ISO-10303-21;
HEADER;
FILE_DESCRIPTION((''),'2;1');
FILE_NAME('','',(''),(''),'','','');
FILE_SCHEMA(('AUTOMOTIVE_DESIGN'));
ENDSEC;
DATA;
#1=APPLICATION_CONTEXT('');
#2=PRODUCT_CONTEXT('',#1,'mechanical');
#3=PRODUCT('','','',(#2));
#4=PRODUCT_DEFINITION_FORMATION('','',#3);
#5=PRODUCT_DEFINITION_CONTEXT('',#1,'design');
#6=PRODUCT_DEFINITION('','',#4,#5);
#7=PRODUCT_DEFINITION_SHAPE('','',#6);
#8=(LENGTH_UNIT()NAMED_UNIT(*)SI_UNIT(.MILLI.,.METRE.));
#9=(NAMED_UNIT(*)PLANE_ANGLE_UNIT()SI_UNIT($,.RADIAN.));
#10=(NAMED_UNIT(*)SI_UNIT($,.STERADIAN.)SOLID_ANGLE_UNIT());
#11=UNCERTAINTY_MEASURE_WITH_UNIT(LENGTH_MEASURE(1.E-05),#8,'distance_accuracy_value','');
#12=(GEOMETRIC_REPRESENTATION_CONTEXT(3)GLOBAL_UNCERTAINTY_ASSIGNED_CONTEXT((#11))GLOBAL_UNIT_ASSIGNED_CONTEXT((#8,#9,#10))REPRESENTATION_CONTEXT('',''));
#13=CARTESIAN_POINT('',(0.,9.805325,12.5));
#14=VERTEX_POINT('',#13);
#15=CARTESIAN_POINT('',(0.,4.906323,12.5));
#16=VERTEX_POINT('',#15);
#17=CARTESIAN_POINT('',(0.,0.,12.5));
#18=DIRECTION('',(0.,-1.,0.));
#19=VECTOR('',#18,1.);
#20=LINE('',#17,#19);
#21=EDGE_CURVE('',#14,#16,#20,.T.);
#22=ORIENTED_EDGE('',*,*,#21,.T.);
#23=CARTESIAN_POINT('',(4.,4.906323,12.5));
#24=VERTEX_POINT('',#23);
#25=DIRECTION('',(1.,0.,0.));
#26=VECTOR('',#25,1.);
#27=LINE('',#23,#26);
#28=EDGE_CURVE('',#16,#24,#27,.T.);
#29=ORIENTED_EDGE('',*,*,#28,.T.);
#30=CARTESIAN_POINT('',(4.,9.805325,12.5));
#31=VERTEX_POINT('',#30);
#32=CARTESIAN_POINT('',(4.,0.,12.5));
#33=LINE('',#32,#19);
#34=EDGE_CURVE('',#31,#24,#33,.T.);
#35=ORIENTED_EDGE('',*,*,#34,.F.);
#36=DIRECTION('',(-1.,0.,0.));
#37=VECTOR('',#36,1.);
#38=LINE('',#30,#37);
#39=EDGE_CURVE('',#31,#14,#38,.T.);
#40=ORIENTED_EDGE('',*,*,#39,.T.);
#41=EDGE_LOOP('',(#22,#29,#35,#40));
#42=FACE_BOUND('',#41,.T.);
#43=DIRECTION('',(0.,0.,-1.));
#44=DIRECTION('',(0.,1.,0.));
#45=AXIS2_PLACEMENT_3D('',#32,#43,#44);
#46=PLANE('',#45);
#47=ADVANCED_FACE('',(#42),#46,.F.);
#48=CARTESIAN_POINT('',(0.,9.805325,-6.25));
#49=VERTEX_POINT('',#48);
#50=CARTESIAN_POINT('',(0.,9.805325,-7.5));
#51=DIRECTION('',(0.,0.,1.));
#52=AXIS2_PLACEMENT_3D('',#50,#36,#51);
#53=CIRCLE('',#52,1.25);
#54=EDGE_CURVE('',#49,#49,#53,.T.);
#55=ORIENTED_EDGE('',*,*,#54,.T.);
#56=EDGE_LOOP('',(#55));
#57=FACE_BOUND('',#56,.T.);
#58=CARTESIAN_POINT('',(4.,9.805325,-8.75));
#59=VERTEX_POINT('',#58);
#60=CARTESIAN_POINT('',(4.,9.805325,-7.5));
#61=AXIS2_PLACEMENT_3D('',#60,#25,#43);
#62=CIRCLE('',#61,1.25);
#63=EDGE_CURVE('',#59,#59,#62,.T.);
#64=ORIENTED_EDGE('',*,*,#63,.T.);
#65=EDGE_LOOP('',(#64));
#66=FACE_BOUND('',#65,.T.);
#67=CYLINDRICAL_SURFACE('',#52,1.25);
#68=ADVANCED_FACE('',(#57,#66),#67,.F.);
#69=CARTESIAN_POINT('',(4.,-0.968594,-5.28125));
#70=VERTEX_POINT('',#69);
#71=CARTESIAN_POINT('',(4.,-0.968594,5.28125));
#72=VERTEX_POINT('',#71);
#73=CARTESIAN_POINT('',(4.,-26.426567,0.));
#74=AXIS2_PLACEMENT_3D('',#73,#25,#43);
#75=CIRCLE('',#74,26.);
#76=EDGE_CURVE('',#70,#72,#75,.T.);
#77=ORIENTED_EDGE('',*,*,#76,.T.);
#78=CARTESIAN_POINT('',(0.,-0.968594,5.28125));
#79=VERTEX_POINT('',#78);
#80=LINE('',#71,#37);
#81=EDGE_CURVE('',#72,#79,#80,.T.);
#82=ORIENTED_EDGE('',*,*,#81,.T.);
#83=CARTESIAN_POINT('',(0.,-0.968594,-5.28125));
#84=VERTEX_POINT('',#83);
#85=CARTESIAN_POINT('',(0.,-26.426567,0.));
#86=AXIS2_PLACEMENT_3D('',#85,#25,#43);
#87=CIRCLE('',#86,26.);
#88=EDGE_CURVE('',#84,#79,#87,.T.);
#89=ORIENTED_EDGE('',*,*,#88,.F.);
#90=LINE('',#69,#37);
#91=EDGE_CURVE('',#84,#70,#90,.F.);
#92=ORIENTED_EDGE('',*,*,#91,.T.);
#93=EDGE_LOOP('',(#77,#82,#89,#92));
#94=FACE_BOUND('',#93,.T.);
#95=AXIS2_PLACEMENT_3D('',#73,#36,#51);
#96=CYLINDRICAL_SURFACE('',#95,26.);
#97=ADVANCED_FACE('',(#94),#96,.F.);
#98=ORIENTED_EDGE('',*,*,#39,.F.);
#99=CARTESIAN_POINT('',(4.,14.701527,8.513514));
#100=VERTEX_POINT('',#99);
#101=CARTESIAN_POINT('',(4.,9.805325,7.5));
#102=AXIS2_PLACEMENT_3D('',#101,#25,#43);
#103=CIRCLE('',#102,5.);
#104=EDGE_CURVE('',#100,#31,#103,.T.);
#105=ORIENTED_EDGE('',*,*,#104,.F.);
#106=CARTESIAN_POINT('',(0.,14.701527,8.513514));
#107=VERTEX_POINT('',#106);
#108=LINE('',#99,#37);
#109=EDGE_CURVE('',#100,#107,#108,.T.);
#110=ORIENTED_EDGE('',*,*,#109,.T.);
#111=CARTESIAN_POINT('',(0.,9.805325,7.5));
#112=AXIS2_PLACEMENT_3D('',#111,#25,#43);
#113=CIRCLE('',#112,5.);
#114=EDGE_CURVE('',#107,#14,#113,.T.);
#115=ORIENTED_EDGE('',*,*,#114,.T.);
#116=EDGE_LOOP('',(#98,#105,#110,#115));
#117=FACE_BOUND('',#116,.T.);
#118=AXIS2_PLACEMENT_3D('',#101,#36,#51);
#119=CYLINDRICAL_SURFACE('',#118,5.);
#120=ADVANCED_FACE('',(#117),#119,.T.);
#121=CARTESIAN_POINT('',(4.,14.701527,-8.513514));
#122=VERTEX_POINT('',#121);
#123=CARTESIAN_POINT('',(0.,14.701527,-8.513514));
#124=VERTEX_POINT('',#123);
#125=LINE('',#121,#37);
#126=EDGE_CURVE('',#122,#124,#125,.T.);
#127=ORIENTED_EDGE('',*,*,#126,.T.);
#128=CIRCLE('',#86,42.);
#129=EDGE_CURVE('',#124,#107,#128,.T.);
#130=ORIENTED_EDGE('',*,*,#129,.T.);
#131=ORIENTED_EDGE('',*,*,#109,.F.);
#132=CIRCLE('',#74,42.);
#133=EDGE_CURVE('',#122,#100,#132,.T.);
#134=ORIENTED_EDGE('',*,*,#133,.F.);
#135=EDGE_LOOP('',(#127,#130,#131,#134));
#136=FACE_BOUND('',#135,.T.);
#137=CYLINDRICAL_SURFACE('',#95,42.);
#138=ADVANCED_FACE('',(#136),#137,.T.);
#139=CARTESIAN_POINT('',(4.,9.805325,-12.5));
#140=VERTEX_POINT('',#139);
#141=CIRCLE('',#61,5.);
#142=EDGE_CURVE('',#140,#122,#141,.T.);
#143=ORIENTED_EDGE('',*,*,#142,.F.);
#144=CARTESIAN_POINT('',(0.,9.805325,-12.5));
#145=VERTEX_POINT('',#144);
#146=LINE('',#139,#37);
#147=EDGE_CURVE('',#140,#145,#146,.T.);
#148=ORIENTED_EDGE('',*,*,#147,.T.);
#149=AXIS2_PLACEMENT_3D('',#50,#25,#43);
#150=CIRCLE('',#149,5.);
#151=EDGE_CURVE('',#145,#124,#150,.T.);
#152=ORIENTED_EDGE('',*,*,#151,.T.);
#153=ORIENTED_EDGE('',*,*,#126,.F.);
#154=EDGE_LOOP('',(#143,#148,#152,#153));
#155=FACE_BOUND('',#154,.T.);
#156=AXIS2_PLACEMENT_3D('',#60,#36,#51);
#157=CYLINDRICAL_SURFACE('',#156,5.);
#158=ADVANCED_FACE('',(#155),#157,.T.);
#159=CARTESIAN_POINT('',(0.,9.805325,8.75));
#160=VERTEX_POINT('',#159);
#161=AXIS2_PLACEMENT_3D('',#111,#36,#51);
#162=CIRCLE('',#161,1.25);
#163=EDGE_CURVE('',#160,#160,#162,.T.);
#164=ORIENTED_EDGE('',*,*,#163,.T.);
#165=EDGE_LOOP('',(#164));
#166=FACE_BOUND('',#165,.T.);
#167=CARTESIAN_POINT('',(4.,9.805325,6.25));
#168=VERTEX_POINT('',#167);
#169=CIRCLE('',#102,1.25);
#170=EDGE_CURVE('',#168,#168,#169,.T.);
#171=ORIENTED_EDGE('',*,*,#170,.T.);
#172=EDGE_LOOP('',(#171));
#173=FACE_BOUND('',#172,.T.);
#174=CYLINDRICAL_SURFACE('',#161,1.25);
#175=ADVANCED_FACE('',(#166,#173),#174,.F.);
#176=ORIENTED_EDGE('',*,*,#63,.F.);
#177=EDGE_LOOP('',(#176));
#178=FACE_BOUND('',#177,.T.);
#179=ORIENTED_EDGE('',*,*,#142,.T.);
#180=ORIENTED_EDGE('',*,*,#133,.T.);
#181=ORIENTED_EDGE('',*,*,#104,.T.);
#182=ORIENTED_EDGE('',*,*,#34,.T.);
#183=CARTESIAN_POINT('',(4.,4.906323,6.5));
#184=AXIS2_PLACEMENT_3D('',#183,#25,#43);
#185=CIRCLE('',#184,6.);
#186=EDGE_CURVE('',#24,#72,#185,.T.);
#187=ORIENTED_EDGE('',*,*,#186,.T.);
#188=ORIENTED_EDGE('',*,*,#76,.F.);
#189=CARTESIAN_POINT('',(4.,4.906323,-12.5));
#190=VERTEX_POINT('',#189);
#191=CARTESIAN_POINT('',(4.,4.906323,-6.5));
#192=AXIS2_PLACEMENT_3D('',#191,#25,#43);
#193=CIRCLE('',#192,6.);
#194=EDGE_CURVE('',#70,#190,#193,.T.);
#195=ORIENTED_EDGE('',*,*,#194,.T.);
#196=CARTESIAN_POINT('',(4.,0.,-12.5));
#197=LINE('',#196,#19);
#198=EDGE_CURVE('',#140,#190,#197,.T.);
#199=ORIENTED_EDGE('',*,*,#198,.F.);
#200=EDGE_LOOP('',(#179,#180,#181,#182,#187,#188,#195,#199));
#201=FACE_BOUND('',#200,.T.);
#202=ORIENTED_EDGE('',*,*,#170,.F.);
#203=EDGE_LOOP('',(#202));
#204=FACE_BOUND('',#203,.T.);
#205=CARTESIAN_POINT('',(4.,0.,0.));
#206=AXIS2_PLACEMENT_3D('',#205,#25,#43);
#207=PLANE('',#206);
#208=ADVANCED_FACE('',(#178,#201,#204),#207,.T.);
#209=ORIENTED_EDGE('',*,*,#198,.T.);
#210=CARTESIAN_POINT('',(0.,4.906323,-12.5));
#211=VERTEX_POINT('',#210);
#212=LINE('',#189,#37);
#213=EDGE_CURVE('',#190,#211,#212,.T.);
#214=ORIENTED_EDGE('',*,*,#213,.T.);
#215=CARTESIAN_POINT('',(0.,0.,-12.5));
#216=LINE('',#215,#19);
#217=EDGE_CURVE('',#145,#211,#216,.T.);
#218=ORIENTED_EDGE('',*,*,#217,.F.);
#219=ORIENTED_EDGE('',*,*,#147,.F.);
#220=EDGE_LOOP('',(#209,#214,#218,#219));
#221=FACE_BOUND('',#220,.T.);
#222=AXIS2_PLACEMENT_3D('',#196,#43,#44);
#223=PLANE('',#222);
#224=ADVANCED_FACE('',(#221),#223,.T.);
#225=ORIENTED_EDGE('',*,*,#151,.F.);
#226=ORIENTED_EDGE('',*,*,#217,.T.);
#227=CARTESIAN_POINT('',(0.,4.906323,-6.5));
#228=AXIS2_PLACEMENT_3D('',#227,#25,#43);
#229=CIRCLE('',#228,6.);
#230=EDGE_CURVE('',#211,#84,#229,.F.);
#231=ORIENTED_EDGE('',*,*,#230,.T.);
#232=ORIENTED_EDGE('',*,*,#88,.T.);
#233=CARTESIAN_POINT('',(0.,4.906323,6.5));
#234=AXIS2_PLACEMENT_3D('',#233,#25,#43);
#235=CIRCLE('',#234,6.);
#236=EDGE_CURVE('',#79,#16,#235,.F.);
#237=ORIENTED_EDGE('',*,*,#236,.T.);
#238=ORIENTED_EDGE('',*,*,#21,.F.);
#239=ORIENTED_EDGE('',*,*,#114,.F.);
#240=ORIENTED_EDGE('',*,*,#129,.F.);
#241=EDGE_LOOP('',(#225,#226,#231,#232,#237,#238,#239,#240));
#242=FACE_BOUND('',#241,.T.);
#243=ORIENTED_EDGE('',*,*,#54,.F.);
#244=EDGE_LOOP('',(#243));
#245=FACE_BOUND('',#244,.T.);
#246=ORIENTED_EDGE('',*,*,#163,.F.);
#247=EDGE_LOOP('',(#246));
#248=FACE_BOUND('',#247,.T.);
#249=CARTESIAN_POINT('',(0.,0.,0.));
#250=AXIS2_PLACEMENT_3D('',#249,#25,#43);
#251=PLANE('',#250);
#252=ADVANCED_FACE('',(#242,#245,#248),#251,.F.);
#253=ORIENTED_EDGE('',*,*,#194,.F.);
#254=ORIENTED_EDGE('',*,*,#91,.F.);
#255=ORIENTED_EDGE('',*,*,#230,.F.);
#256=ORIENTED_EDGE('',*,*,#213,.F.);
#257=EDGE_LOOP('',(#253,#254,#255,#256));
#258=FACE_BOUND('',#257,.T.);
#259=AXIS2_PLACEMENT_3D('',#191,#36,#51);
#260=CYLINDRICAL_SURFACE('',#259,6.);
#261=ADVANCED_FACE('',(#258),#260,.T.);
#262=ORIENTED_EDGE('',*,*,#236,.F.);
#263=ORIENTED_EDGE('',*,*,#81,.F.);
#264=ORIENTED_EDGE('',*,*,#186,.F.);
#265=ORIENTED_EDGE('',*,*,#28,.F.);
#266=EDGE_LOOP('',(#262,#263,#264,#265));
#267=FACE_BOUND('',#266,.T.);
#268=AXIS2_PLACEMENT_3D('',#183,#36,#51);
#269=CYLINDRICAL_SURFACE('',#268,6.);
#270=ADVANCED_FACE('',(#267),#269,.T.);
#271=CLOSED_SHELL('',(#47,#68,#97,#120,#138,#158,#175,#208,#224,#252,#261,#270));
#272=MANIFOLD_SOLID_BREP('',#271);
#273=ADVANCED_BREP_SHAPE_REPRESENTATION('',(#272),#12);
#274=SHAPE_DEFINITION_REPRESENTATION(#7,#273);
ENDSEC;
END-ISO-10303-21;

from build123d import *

# Parameters (mm, degrees)
SKETCH2_R             = 3
BOSS_EXTRUDE1_DEPTH   = 4
FILLET1_R             = 6
M3X0_5_TAPPED_HOLE1_D = 2.5


with BuildPart() as part:
    # Sketch2 → Boss-Extrude1 (new body)
    # profile 1 of 2: a face of its own
    with BuildSketch(Plane(origin=(0, 0, 0), x_dir=(0, 0, -1), z_dir=(1, 0, 0))):
        with BuildLine():
            Line((12.5, 9.80532533), (12.5, -3.628540469))
            ThreePointArc((12.5, -3.628540469), (0, -0.426566699), (-12.5, -3.628540469))
            Line((-12.5, -3.628540469), (-12.5, 9.80532533))
            ThreePointArc((-12.5, 9.80532533), (-11.377342361, 12.962256786), (-8.513513514, 14.701526956))
            ThreePointArc((-8.513513514, 14.701526956), (0, 15.573433301), (8.513513514, 14.701526956))
            ThreePointArc((8.513513514, 14.701526956), (11.377342361, 12.962256786), (12.5, 9.80532533))
        make_face()
        with Locations((0, 10.573433301)):
            Circle(SKETCH2_R, mode=Mode.SUBTRACT)
    # profile 2 of 2: a face of its own
    with BuildSketch(Plane(origin=(0, 0, 0), x_dir=(0, 0, -1), z_dir=(1, 0, 0))):
        with Locations((0, 10.573433301)):
            Circle(SKETCH2_R)
    extrude(amount=BOSS_EXTRUDE1_DEPTH)

    # Fillet1
    fillet1_edges = [part.edges().sort_by_distance(p)[0] for p in [
        (2, -3.628540469, -12.5),
        (2, -3.628540469, 12.5),
    ]]
    fillet(fillet1_edges, radius=FILLET1_R)

    # M3x0.5 Tapped Hole1 (through all)
    with Locations(Plane.ZY):
        with Locations((-7.5, 9.80532533), (7.5, 9.80532533)):
            Hole(M3X0_5_TAPPED_HOLE1_D / 2)


solid = part.part
